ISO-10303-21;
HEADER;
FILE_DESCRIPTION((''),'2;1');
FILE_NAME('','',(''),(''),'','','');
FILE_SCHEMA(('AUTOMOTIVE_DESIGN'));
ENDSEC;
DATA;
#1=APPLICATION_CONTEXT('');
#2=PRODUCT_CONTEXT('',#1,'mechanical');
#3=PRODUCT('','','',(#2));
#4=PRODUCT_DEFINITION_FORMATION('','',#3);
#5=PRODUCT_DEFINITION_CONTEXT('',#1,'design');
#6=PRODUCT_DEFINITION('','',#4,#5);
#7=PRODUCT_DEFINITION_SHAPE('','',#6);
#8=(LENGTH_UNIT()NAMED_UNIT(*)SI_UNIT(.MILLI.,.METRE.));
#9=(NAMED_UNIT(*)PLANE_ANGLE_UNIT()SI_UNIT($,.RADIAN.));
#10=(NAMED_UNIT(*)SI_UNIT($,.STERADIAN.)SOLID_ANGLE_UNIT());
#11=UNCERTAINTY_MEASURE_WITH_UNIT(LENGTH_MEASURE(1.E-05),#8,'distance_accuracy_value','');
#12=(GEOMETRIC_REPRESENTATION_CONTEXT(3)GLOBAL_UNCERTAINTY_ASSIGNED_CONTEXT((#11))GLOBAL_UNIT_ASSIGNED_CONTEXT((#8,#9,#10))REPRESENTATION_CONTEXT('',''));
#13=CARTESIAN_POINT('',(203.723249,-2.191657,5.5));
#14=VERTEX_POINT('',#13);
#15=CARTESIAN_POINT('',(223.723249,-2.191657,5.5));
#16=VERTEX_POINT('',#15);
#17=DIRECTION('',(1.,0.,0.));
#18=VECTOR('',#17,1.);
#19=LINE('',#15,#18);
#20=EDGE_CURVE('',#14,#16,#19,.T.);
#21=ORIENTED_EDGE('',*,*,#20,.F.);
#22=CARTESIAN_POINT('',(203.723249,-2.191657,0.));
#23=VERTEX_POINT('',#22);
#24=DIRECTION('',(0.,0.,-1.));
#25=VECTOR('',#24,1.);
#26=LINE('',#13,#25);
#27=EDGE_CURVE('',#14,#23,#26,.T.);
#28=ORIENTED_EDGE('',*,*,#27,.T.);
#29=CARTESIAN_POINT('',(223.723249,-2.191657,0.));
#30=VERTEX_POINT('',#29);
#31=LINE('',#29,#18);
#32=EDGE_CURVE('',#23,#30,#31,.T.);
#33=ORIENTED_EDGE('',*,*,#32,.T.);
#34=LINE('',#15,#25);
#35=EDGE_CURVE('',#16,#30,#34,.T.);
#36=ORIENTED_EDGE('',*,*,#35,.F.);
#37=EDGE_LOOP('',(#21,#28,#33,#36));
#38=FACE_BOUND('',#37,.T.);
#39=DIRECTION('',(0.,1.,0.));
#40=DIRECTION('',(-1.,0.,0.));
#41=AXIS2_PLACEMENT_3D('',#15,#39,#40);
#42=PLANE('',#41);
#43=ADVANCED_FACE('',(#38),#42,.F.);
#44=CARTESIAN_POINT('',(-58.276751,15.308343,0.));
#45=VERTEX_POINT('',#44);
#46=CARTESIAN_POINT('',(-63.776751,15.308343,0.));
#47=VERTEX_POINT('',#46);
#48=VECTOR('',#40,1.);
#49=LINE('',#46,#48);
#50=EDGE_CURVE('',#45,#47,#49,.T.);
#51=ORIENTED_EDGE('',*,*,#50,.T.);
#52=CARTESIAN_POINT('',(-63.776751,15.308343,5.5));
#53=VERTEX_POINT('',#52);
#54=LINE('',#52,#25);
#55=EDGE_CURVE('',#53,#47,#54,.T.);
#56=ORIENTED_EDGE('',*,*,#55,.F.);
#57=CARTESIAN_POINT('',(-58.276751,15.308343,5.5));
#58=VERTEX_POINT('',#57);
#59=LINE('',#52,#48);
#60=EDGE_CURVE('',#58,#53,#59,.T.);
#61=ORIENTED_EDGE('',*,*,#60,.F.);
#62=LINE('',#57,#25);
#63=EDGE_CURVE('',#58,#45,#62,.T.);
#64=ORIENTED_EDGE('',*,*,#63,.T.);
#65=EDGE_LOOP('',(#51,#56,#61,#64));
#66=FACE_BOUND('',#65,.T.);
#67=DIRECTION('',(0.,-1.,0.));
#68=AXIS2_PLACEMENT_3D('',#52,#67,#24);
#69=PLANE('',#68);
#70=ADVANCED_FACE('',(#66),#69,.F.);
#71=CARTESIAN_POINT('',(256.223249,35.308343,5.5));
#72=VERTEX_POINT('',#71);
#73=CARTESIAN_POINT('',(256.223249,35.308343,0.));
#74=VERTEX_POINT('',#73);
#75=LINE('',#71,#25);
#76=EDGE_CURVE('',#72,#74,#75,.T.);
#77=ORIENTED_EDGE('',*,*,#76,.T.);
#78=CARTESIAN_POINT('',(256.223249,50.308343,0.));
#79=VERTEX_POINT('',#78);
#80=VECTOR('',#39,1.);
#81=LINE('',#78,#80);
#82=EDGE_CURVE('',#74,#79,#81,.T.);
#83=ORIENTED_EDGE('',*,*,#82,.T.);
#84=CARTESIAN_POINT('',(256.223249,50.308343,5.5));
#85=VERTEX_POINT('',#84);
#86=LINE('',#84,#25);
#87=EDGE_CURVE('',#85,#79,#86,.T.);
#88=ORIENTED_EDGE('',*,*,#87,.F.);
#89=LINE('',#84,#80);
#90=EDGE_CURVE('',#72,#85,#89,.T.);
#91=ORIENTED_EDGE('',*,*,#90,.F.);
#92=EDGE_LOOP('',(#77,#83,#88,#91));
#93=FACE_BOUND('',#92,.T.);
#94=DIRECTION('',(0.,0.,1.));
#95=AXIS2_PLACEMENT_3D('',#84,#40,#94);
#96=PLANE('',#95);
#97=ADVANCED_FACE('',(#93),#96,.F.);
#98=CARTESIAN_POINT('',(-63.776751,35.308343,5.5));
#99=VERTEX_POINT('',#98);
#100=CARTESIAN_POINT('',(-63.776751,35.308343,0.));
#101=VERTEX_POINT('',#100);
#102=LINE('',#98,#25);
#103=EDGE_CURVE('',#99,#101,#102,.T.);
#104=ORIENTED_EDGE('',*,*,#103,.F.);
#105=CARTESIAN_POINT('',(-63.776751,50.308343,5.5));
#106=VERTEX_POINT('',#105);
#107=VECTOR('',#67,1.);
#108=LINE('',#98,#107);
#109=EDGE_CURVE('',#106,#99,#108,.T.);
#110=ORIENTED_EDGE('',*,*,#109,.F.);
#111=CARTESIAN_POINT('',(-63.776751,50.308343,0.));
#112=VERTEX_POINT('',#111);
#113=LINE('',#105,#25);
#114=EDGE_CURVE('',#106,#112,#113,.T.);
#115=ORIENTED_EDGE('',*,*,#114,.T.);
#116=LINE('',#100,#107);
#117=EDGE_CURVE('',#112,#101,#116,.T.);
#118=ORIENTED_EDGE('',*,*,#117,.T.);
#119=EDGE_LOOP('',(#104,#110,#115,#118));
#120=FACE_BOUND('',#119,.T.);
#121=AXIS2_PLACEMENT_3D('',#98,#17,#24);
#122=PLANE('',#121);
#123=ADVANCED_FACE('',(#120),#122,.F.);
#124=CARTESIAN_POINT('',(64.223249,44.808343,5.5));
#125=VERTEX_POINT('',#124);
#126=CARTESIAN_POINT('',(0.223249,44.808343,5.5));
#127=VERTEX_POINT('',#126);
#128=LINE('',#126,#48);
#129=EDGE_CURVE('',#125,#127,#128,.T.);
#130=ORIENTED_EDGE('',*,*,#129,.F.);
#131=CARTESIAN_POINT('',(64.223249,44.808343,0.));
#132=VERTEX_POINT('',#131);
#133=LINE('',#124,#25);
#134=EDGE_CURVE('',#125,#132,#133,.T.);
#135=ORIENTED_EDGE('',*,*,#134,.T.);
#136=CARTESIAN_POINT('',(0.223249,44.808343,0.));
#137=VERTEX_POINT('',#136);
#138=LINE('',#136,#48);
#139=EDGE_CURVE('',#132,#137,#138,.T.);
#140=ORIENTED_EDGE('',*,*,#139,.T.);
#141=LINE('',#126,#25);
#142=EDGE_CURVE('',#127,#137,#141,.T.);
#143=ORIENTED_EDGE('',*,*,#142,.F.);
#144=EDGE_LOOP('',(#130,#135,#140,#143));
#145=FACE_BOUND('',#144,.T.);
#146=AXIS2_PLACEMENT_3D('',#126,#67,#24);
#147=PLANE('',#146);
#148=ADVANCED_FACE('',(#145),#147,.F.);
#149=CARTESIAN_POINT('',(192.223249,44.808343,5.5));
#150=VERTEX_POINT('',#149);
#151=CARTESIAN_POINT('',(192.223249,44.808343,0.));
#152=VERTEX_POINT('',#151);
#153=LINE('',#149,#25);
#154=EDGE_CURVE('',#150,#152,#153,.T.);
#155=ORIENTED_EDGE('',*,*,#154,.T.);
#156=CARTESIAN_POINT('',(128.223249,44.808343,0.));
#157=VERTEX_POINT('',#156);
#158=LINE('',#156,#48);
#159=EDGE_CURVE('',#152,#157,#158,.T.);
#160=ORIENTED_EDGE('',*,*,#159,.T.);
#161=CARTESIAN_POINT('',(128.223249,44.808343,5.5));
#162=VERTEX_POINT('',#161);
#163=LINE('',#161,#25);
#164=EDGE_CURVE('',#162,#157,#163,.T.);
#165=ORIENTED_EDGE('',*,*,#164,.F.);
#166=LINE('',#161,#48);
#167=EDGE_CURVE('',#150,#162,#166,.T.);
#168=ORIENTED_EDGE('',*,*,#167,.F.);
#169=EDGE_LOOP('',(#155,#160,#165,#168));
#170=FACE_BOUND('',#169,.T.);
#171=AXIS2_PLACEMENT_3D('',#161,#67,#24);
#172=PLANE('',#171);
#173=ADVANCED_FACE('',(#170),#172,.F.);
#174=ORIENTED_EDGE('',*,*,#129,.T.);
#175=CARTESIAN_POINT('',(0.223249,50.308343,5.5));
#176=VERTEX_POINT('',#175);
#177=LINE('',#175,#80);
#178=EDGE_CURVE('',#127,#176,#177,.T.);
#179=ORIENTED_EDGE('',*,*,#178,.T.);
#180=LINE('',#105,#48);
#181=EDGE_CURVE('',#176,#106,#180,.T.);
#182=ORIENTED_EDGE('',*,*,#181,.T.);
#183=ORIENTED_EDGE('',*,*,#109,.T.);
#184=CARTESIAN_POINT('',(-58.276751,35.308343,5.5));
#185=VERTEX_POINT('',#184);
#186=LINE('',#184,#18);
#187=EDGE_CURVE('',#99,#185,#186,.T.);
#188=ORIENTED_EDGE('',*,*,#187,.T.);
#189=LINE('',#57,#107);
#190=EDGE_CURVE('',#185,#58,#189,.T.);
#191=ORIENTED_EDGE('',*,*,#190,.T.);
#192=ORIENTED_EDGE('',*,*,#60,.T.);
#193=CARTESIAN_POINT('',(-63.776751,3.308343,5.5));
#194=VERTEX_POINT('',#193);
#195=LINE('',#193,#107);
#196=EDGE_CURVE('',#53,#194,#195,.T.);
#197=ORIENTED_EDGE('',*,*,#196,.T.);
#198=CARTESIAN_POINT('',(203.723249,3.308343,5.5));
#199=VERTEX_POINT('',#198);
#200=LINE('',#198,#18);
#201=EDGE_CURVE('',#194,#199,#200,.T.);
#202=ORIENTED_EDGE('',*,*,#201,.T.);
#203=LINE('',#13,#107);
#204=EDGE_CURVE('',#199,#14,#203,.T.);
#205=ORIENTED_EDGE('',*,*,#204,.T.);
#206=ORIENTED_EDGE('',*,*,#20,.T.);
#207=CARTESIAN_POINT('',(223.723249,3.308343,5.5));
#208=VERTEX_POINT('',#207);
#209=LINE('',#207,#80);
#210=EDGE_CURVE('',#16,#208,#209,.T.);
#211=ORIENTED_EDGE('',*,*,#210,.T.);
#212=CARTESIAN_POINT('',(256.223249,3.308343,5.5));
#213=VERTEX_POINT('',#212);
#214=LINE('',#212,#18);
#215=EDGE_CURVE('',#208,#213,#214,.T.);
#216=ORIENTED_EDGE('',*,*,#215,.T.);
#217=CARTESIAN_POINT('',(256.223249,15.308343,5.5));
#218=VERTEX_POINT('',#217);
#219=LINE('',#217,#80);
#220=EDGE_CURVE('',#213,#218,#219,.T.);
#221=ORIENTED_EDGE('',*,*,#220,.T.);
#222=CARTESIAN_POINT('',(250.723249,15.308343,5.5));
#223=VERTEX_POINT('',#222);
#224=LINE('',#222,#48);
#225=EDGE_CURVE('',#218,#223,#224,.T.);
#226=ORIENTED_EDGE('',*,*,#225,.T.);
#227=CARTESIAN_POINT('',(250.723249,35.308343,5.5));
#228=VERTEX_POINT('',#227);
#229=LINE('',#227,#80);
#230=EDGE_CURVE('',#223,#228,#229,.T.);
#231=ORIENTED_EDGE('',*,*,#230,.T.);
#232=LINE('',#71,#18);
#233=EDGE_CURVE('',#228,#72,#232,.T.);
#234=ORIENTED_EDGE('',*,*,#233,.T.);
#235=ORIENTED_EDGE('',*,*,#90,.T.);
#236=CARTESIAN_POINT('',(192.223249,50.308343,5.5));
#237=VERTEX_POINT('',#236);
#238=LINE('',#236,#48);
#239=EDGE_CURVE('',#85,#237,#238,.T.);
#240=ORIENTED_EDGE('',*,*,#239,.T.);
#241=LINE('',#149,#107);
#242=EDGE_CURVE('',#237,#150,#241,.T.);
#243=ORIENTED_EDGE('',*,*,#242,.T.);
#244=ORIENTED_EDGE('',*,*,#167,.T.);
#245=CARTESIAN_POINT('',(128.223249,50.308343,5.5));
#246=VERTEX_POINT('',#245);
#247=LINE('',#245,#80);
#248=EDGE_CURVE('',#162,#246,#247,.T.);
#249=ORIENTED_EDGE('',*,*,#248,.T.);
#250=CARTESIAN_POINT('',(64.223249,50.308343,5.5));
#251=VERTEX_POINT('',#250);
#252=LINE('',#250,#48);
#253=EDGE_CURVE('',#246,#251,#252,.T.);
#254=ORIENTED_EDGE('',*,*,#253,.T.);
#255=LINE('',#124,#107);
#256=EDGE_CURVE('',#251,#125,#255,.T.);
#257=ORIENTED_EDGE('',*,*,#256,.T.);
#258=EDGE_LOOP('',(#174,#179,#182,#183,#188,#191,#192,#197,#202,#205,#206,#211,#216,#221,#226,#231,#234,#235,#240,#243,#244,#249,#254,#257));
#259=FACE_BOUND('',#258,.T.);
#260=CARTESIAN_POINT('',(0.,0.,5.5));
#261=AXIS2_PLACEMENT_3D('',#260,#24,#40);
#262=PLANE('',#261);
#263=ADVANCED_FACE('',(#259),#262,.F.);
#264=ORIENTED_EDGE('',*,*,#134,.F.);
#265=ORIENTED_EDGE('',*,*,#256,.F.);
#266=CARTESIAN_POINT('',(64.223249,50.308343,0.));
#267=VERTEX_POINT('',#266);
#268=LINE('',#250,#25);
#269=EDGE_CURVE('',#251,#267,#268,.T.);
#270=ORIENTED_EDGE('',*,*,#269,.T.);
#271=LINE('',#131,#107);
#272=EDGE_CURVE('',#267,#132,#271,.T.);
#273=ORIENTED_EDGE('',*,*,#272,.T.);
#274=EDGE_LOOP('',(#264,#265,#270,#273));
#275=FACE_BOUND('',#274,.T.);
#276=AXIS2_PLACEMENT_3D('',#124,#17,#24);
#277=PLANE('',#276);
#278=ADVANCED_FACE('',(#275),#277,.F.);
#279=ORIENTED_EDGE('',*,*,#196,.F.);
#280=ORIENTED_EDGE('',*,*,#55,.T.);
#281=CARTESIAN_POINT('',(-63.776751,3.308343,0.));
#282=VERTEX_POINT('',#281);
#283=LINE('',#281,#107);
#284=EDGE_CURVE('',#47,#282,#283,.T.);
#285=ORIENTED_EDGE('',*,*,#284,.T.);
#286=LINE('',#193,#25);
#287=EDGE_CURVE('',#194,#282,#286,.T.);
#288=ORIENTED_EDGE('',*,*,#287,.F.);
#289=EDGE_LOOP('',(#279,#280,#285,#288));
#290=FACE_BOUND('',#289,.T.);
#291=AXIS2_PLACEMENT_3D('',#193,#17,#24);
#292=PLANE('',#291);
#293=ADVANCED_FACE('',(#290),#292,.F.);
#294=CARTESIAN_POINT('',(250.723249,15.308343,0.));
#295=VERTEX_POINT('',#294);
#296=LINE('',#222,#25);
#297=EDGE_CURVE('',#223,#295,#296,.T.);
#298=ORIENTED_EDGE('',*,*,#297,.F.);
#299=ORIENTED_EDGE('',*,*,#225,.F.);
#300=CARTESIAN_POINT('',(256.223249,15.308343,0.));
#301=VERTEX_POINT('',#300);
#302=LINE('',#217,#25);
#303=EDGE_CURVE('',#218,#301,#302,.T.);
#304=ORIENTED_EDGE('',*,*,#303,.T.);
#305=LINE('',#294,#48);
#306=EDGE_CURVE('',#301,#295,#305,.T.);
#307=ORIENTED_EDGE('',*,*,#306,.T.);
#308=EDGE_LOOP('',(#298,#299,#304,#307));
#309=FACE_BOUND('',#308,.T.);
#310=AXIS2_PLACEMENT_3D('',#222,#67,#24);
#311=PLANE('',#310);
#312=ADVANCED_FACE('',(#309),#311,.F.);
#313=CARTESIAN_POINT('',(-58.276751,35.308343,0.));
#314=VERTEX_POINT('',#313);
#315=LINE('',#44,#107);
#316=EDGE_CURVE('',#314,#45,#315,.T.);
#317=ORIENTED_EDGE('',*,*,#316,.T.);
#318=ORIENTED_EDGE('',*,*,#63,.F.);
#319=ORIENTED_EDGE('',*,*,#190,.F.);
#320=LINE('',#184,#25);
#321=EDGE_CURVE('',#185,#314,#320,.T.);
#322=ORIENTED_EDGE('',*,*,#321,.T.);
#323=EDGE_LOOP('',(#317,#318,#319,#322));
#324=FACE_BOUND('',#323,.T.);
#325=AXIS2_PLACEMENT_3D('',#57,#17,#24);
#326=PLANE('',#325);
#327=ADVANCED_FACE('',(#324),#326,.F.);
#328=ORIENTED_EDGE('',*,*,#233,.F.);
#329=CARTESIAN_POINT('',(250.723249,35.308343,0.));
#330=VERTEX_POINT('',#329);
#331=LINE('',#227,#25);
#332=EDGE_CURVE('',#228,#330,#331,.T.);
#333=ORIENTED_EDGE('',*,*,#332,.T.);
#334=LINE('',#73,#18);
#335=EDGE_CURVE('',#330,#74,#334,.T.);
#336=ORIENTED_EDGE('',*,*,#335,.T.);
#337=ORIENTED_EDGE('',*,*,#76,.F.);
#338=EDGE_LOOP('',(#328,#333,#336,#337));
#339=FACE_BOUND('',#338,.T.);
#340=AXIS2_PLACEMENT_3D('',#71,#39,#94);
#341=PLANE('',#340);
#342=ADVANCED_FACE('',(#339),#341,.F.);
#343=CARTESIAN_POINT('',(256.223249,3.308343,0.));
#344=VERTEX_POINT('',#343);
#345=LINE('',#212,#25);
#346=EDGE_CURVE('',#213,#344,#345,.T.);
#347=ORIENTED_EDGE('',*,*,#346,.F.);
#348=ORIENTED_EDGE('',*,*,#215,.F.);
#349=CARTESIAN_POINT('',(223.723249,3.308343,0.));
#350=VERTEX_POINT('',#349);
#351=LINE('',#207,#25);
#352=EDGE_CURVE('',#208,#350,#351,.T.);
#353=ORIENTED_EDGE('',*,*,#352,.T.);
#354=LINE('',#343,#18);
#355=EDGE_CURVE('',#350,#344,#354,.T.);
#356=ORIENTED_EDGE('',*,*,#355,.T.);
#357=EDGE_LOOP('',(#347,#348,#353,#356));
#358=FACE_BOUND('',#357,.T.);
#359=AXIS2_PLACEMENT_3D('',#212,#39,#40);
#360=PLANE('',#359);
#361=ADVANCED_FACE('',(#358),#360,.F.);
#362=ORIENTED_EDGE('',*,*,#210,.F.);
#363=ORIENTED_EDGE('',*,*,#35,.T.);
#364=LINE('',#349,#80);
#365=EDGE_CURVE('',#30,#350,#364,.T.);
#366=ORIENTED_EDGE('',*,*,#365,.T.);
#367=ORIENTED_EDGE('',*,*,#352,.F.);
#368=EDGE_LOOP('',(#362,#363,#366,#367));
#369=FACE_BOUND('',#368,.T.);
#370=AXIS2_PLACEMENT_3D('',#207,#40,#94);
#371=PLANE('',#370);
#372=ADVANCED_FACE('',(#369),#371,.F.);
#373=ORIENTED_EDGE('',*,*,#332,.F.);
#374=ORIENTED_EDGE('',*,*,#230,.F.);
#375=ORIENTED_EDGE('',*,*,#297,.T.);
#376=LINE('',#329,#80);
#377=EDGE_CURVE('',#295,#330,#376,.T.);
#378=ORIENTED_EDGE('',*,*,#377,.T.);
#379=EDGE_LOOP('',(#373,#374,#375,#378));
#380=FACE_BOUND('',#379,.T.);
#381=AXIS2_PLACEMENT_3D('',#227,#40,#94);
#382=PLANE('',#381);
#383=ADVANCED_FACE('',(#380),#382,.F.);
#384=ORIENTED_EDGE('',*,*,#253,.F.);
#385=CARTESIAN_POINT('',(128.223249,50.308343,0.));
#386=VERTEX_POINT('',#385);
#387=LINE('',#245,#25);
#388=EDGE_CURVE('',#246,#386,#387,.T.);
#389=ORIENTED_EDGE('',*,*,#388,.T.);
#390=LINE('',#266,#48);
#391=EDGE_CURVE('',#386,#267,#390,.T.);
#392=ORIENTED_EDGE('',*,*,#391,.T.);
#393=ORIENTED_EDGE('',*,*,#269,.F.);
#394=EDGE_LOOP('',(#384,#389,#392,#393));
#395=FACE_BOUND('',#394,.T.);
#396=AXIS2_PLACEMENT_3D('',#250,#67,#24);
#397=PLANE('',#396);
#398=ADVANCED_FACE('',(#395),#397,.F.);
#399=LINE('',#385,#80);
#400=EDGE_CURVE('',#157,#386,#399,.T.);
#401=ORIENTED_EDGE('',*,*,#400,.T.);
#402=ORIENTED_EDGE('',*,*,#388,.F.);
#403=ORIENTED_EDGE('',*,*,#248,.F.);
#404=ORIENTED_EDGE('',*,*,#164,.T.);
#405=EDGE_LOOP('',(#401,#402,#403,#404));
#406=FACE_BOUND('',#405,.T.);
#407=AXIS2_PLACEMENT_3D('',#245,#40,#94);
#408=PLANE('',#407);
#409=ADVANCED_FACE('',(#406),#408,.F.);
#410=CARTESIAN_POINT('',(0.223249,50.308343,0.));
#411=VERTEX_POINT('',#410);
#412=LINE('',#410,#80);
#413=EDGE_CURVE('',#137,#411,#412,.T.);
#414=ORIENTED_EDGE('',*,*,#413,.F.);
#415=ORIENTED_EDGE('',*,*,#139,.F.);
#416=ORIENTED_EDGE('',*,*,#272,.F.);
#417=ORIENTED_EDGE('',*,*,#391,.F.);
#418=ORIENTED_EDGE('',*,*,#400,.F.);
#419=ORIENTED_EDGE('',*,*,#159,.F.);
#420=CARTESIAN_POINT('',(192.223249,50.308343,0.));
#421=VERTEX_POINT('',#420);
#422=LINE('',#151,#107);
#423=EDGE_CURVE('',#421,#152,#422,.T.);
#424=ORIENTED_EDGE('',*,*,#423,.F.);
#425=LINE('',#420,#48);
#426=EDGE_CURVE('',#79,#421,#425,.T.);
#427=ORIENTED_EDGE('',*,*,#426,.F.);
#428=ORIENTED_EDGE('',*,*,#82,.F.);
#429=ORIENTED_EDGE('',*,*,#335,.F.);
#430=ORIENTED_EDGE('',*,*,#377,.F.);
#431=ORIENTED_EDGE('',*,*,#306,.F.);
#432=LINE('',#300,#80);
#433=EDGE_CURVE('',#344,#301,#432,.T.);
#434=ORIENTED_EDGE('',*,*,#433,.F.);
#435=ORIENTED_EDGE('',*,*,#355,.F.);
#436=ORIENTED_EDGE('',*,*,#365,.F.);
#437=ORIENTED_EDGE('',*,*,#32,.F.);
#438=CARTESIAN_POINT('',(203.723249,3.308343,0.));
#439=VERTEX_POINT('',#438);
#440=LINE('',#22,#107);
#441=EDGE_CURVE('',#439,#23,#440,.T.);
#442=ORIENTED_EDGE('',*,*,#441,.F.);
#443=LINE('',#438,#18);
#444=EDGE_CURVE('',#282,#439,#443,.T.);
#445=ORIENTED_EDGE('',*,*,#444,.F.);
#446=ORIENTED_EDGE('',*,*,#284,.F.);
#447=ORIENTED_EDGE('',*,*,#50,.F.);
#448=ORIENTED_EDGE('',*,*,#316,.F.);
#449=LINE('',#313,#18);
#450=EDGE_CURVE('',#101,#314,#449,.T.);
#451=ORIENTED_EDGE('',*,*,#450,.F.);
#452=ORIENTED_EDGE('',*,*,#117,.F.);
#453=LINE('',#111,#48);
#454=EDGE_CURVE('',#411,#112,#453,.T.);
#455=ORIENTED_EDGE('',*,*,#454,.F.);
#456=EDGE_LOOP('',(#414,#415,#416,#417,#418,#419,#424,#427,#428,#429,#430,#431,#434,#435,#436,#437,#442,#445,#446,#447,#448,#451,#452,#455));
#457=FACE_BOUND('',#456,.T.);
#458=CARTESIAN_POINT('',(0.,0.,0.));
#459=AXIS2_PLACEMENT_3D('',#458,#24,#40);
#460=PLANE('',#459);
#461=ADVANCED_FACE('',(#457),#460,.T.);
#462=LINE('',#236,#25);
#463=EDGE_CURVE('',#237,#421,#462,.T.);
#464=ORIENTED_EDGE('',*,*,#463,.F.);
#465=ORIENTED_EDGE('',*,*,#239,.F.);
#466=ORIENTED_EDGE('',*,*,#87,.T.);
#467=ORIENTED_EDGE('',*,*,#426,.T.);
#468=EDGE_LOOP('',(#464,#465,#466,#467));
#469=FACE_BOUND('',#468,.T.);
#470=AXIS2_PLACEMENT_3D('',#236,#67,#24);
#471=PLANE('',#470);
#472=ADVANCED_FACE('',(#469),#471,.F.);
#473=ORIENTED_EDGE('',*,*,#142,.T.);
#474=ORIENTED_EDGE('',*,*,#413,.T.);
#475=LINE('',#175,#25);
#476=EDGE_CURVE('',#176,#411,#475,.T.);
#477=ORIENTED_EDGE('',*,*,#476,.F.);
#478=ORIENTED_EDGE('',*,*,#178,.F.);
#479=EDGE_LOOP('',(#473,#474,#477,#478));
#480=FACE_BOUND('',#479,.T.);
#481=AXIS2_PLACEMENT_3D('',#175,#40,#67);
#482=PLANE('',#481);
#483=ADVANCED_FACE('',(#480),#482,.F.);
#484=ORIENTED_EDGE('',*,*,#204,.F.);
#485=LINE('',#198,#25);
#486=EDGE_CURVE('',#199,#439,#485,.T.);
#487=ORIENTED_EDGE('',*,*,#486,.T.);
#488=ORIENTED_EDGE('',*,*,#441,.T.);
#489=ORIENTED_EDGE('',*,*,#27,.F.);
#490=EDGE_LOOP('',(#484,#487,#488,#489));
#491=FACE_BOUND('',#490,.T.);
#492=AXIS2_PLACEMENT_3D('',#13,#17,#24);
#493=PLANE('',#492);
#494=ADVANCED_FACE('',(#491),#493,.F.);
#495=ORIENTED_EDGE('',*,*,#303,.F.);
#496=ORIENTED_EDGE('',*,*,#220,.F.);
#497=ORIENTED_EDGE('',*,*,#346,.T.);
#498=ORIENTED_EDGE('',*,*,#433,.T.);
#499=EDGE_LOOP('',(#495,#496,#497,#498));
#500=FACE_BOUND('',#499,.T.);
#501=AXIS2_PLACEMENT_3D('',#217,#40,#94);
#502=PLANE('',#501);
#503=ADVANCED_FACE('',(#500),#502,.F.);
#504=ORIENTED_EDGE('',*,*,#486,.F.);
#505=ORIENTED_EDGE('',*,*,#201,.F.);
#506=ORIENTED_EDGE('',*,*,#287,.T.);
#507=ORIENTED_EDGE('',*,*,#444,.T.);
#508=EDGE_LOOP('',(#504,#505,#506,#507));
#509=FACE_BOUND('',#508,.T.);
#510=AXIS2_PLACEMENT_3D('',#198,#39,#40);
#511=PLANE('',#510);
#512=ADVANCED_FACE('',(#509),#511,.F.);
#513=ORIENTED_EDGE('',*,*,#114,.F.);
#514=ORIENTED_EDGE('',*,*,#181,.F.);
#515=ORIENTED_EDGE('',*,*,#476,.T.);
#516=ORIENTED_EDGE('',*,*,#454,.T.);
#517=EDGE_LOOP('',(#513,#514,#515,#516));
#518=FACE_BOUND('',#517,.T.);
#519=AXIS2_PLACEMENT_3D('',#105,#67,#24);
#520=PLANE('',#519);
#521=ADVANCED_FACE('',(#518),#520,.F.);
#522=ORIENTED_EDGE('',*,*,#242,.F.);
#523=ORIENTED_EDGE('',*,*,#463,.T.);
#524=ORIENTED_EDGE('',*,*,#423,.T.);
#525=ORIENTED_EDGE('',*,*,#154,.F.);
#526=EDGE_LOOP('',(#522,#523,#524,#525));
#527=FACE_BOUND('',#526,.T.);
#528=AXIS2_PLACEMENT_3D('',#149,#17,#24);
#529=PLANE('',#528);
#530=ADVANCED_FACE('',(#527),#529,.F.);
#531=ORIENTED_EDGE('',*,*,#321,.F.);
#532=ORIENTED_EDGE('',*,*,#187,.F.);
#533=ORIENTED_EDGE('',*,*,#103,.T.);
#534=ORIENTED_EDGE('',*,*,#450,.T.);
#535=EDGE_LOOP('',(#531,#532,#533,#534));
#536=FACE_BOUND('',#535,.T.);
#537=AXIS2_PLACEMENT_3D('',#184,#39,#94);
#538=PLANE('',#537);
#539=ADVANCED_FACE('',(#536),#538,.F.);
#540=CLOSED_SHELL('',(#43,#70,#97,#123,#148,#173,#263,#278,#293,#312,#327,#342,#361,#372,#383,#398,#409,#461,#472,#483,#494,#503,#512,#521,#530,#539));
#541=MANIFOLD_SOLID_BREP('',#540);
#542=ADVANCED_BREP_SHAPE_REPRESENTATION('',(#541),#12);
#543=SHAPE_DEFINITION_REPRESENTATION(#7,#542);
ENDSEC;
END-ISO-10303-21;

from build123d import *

# Parameters (mm, degrees)
SALIENTE_EXTRUIR1_DEPTH = 5.5


with BuildPart() as part:
    # Croquis1 → Saliente-Extruir1 (new body)
    with BuildSketch(Plane.XY):
        Polygon((-63.776750848, 3.308342792), (-63.776750848, 15.308342792), (-58.276750848, 15.308342792), (-58.276750848, 35.308342792), (-63.776750848, 35.308342792), (-63.776750848, 50.308342792), (0.223249152, 50.308342792), (0.223249152, 44.808342792), (64.223249152, 44.808342792), (64.223249152, 50.308342792), (128.223249152, 50.308342792), (128.223249152, 44.808342792), (192.223249152, 44.808342792), (192.223249152, 50.308342792), (256.223249152, 50.308342792), (256.223249152, 35.308342792), (250.723249152, 35.308342792), (250.723249152, 15.308342792), (256.223249152, 15.308342792), (256.223249152, 3.308342792), (223.723249152, 3.308342792), (223.723249152, -2.191657208), (203.723249152, -2.191657208), (203.723249152, 3.308342792), align=None)
    extrude(amount=SALIENTE_EXTRUIR1_DEPTH)


solid = part.part
